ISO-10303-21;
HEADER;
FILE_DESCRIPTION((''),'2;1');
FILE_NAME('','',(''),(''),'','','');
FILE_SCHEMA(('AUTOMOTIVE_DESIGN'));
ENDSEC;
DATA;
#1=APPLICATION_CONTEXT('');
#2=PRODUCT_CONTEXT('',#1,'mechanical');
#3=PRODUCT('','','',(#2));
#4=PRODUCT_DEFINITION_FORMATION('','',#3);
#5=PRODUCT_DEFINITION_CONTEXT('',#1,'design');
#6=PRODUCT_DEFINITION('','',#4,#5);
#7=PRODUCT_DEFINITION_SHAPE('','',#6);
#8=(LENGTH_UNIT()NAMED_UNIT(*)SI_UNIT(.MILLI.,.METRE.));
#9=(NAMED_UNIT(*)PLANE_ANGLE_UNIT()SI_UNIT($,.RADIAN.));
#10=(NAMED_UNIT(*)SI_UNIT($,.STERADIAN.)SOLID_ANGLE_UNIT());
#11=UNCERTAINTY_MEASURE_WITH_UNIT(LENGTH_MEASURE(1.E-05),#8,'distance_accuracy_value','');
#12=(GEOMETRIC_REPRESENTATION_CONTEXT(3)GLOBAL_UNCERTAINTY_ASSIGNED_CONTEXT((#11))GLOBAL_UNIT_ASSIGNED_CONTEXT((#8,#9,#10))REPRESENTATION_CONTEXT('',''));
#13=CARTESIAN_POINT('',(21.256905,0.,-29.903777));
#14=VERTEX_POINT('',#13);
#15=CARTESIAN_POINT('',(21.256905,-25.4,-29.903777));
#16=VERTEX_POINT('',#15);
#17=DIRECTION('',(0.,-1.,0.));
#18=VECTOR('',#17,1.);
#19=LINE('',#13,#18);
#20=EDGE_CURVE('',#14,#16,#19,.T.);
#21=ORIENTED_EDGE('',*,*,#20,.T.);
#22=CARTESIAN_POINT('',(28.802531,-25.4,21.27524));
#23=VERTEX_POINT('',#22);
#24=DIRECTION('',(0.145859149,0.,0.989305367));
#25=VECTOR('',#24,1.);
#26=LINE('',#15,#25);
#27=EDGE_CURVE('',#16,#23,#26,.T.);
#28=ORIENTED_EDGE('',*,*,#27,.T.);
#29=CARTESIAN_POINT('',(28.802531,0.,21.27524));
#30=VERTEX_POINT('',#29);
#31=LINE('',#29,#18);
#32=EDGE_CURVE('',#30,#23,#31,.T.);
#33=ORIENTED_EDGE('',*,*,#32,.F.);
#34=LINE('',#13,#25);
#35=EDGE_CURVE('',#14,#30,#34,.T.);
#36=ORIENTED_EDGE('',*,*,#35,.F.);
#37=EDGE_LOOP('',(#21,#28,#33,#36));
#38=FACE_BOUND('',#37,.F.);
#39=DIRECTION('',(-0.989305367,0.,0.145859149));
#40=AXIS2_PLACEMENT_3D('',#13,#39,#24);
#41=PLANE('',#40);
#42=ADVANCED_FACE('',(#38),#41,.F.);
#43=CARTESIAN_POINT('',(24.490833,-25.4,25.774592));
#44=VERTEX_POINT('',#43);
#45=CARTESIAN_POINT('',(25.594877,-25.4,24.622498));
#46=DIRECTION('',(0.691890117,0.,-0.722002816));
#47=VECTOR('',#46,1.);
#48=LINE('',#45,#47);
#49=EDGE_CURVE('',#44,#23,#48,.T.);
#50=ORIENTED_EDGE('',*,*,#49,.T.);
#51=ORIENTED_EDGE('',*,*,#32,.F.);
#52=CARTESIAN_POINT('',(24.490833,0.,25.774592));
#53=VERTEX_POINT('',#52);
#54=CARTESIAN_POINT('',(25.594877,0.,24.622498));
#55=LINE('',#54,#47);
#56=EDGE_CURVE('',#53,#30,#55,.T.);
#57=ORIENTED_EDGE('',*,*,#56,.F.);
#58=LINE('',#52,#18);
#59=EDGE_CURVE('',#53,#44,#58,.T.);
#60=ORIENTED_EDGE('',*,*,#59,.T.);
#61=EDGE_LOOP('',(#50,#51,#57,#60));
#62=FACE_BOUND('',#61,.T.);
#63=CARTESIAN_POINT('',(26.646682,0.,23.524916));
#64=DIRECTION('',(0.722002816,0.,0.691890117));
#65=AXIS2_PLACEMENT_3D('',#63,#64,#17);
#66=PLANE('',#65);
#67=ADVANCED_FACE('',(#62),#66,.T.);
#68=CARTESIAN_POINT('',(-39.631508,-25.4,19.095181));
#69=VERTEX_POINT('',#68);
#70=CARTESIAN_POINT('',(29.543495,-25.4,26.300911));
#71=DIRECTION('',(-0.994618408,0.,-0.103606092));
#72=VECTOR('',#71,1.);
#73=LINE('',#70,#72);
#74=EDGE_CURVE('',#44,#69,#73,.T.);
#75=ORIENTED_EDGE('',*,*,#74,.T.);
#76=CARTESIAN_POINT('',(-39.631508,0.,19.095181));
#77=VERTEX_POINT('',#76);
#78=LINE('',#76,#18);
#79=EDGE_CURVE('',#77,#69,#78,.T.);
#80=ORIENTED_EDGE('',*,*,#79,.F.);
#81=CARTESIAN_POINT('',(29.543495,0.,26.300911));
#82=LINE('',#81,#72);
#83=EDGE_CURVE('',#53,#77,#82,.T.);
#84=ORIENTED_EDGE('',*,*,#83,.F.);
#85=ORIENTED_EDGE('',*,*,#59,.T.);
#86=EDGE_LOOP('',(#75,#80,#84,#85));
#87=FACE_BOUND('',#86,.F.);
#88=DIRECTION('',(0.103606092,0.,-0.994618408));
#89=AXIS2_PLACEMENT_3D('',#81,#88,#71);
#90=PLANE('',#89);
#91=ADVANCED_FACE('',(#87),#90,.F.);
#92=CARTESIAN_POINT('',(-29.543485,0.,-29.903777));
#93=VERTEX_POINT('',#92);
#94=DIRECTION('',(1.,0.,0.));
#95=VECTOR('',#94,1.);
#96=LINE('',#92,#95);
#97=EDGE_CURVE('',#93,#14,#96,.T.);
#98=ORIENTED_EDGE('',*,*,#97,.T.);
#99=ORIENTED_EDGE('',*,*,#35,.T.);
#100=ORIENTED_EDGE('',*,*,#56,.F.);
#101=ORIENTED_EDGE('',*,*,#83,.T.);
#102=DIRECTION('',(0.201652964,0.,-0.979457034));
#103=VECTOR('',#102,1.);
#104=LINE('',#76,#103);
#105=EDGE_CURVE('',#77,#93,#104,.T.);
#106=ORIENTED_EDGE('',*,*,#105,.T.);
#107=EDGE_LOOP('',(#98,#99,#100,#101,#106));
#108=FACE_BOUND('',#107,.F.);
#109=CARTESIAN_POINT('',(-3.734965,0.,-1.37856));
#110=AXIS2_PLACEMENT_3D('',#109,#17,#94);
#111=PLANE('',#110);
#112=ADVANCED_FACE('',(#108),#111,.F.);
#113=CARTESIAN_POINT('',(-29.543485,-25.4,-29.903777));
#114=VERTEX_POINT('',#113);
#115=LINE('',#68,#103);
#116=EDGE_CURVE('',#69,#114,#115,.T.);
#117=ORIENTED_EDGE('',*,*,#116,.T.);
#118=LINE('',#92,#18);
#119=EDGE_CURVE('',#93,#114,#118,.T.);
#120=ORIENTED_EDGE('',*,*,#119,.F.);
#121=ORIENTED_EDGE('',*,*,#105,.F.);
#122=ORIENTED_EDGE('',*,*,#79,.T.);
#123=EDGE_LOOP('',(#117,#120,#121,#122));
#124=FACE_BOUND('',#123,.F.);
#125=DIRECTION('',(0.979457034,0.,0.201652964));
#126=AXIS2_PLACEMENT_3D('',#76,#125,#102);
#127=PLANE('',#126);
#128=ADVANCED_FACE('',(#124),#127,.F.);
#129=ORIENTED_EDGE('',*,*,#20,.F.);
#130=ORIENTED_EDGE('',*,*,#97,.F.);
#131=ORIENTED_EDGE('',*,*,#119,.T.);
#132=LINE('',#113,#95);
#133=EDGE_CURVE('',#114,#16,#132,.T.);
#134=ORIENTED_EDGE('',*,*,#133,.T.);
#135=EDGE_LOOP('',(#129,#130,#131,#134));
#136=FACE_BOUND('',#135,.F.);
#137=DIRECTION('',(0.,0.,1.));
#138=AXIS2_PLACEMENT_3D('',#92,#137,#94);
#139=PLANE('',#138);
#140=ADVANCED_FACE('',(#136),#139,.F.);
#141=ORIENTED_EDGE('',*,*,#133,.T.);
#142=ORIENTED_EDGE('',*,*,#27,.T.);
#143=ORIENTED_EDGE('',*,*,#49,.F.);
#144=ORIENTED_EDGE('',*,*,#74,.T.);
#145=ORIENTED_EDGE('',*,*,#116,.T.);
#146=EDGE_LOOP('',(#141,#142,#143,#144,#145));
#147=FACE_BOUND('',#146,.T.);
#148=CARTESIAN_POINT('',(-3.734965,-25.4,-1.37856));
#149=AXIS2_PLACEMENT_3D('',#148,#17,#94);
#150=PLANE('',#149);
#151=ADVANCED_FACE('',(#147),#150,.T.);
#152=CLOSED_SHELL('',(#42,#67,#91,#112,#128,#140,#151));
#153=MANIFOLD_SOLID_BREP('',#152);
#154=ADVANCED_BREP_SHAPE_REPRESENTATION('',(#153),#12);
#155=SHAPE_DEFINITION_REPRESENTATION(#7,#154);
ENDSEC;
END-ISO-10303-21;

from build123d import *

# Parameters (mm, degrees)
F1_DEPTH = 25.4
F2_SIZE  = 5.08


with BuildPart() as f1:
    # F0 (on Front) → F1 (new body)
    with BuildSketch(Plane.XZ):
        Polygon((29.543495, 26.300911), (-39.631508, 19.095181), (-29.543485, -29.903777), (21.256905, -29.903777), align=None)
    extrude(amount=F1_DEPTH)

    # F2
    f2_edges = [f1.edges().sort_by_distance(p)[0] for p in [
        (29.543495, -12.7, 26.300911),
    ]]
    chamfer(f2_edges, length=F2_SIZE)


solid = f1.part
